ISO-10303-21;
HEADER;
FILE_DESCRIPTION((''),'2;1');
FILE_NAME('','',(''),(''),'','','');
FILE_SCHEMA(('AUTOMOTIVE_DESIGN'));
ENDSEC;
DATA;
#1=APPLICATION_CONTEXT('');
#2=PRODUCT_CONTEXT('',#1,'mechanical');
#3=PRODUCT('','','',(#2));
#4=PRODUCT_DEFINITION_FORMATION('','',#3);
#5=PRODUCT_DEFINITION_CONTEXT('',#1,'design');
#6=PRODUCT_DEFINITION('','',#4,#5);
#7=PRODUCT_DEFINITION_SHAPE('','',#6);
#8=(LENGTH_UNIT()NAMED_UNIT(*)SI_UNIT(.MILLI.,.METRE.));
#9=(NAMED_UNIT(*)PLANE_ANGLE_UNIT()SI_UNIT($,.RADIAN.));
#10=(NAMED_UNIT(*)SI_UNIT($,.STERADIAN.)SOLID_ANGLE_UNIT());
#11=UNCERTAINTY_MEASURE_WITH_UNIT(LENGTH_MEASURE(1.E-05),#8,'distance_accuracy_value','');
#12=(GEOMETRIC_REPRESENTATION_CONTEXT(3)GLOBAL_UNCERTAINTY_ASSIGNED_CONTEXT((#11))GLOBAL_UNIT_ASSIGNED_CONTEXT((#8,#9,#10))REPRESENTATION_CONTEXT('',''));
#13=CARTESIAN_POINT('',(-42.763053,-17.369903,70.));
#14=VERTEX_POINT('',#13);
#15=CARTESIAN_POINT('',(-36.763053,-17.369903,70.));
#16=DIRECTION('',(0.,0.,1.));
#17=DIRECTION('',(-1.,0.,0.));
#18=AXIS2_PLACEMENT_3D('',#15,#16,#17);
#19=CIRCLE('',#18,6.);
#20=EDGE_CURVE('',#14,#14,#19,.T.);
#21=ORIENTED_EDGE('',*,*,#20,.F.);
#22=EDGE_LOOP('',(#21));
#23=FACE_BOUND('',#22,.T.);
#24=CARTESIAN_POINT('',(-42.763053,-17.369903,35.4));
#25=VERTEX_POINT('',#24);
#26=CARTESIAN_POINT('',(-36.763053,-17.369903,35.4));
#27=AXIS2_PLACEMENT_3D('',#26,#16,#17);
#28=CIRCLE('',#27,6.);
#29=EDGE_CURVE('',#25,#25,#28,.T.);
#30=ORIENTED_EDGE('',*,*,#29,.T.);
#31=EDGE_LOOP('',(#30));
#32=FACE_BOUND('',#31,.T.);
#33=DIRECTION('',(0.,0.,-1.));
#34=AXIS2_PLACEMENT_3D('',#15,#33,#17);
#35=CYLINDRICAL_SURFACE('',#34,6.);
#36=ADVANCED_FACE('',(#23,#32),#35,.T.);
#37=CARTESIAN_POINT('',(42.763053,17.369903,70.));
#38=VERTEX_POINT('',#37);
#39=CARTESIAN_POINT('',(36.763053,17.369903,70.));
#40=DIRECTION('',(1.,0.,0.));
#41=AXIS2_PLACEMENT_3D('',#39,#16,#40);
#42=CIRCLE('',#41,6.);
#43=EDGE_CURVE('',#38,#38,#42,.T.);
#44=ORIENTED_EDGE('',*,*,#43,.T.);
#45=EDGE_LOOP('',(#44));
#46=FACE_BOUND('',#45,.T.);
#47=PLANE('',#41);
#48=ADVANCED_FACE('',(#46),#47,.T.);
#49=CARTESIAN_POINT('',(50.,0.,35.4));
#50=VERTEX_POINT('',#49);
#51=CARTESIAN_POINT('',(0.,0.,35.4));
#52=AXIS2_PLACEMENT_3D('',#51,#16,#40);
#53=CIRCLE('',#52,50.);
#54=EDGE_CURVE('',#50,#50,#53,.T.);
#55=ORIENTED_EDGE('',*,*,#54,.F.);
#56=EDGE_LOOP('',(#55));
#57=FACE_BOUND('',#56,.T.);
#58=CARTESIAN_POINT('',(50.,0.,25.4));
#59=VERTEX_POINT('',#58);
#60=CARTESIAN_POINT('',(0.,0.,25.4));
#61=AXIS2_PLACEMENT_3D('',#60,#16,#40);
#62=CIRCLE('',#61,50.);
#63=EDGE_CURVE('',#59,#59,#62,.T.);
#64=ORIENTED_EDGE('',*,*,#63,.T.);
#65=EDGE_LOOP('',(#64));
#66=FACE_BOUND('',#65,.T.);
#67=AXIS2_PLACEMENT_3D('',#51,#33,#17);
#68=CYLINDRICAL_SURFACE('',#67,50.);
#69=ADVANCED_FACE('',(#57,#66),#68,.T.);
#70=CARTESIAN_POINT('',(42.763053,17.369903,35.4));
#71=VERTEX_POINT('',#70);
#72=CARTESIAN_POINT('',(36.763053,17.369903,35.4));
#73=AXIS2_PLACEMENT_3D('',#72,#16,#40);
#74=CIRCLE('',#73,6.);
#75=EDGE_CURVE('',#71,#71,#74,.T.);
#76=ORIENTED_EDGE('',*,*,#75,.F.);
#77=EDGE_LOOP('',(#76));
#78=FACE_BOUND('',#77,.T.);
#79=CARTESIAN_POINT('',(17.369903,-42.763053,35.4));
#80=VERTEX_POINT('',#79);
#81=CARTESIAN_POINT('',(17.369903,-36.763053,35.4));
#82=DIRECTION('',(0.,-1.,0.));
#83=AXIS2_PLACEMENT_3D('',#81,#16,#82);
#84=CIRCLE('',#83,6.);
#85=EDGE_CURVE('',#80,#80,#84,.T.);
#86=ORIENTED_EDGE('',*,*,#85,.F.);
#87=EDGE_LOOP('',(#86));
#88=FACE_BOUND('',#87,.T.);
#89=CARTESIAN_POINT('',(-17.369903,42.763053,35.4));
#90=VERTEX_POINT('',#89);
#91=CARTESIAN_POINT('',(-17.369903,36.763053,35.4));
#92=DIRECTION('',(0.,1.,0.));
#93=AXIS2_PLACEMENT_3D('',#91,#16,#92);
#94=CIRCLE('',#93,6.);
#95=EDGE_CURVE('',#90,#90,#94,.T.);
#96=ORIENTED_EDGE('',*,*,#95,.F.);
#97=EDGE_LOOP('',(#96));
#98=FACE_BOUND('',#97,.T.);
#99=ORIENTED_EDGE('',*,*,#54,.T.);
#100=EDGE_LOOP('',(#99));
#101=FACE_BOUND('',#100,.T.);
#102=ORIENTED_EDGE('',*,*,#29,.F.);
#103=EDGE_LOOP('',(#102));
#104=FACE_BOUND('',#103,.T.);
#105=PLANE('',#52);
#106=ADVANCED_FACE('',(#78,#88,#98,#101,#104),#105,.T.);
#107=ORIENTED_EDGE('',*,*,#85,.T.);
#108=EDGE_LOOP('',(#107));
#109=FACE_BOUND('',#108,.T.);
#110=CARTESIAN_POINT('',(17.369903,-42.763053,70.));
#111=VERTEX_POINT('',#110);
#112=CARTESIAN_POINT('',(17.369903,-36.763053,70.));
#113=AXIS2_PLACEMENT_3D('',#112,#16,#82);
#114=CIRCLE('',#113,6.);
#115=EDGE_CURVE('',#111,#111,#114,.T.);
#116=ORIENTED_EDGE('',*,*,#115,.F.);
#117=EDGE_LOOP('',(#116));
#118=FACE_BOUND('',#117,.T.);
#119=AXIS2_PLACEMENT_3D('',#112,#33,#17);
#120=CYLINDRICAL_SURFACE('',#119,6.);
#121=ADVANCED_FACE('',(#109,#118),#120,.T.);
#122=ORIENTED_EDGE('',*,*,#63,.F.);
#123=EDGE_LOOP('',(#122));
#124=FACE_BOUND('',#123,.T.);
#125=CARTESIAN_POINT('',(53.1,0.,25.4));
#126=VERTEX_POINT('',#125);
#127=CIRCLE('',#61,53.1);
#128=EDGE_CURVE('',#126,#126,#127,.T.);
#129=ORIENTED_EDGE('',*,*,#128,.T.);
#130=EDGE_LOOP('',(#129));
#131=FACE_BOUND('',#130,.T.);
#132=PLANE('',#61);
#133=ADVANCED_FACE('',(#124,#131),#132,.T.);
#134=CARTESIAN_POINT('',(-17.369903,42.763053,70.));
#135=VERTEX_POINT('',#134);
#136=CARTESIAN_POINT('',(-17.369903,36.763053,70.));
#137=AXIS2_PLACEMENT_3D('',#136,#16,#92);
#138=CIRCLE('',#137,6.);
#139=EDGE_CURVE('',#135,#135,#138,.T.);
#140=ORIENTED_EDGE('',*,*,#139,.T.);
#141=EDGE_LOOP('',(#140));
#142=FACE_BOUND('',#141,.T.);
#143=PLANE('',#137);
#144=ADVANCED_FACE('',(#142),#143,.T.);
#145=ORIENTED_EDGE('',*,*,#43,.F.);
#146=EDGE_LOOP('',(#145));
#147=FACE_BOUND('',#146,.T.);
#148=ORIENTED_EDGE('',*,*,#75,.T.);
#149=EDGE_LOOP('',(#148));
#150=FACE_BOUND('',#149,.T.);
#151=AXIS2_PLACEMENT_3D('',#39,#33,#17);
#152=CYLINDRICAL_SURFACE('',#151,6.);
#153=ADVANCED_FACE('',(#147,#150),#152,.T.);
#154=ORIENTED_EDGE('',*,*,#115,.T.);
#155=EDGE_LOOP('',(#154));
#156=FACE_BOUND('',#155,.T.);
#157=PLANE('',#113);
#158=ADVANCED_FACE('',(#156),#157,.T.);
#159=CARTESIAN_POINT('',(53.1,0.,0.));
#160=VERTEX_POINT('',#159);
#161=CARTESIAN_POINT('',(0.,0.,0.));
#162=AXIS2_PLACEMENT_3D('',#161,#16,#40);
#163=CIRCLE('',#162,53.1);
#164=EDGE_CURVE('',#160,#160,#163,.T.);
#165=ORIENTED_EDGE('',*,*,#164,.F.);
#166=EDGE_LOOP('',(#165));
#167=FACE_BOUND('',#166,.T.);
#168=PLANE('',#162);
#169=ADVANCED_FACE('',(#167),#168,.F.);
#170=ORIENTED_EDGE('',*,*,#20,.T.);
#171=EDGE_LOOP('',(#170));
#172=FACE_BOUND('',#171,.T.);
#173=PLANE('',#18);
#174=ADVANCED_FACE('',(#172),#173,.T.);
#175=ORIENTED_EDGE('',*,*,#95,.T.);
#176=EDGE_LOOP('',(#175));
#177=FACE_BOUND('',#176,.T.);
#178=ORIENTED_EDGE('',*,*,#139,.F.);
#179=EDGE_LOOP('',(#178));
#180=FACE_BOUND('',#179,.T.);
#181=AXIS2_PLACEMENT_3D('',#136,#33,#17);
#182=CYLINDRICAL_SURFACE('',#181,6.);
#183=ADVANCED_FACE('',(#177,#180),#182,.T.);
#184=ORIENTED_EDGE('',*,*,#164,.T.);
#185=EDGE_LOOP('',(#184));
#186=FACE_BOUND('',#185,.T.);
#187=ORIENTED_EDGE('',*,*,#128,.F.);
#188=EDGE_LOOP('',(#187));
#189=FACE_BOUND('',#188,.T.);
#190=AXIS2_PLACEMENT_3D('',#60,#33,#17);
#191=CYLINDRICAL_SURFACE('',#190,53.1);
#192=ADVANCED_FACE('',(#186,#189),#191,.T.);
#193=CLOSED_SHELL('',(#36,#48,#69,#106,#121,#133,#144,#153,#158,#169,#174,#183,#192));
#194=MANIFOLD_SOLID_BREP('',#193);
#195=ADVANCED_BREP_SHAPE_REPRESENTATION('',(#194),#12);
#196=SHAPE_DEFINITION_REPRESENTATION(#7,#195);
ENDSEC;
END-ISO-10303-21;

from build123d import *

# Parameters (mm, degrees)
ESQUISSE1_R                  = 53.1
BOSS_EXTRU_1_DEPTH           = 25.4
ESQUISSE2_R                  = 50
BOSS_EXTRU_2_DEPTH           = 10
ESQUISSE3_R                  = 6
BOSS_EXTRU_3_DEPTH           = 34.6
R_P_TITION_CIRCULAIRE1_COUNT = 4


with BuildPart() as part:
    # Esquisse1 → Boss.-Extru.1 (new body)
    with BuildSketch(Plane.XY):
        Circle(ESQUISSE1_R)
    extrude(amount=BOSS_EXTRU_1_DEPTH)

    # Esquisse2 → Boss.-Extru.2 (add)
    with BuildSketch(Plane.XY.offset(25.4)):
        Circle(ESQUISSE2_R)
    extrude(amount=BOSS_EXTRU_2_DEPTH)

    # Esquisse3 → Boss.-Extru.3 (add)
    with BuildSketch(Plane.XY.offset(35.4)):
        with Locations((36.76305328, 17.369902519)):
            Circle(ESQUISSE3_R)
    boss_extru_3 = extrude(amount=BOSS_EXTRU_3_DEPTH)

    # Répétition circulaire1: Boss.-Extru.3 ×4 about axis
    r_p_tition_circulaire1_axis = Axis((0, 0, 25.4), (0, 0, -1))
    for i in range(1, R_P_TITION_CIRCULAIRE1_COUNT):
        add(boss_extru_3.rotate(r_p_tition_circulaire1_axis, i * 360 / R_P_TITION_CIRCULAIRE1_COUNT))


solid = part.part
